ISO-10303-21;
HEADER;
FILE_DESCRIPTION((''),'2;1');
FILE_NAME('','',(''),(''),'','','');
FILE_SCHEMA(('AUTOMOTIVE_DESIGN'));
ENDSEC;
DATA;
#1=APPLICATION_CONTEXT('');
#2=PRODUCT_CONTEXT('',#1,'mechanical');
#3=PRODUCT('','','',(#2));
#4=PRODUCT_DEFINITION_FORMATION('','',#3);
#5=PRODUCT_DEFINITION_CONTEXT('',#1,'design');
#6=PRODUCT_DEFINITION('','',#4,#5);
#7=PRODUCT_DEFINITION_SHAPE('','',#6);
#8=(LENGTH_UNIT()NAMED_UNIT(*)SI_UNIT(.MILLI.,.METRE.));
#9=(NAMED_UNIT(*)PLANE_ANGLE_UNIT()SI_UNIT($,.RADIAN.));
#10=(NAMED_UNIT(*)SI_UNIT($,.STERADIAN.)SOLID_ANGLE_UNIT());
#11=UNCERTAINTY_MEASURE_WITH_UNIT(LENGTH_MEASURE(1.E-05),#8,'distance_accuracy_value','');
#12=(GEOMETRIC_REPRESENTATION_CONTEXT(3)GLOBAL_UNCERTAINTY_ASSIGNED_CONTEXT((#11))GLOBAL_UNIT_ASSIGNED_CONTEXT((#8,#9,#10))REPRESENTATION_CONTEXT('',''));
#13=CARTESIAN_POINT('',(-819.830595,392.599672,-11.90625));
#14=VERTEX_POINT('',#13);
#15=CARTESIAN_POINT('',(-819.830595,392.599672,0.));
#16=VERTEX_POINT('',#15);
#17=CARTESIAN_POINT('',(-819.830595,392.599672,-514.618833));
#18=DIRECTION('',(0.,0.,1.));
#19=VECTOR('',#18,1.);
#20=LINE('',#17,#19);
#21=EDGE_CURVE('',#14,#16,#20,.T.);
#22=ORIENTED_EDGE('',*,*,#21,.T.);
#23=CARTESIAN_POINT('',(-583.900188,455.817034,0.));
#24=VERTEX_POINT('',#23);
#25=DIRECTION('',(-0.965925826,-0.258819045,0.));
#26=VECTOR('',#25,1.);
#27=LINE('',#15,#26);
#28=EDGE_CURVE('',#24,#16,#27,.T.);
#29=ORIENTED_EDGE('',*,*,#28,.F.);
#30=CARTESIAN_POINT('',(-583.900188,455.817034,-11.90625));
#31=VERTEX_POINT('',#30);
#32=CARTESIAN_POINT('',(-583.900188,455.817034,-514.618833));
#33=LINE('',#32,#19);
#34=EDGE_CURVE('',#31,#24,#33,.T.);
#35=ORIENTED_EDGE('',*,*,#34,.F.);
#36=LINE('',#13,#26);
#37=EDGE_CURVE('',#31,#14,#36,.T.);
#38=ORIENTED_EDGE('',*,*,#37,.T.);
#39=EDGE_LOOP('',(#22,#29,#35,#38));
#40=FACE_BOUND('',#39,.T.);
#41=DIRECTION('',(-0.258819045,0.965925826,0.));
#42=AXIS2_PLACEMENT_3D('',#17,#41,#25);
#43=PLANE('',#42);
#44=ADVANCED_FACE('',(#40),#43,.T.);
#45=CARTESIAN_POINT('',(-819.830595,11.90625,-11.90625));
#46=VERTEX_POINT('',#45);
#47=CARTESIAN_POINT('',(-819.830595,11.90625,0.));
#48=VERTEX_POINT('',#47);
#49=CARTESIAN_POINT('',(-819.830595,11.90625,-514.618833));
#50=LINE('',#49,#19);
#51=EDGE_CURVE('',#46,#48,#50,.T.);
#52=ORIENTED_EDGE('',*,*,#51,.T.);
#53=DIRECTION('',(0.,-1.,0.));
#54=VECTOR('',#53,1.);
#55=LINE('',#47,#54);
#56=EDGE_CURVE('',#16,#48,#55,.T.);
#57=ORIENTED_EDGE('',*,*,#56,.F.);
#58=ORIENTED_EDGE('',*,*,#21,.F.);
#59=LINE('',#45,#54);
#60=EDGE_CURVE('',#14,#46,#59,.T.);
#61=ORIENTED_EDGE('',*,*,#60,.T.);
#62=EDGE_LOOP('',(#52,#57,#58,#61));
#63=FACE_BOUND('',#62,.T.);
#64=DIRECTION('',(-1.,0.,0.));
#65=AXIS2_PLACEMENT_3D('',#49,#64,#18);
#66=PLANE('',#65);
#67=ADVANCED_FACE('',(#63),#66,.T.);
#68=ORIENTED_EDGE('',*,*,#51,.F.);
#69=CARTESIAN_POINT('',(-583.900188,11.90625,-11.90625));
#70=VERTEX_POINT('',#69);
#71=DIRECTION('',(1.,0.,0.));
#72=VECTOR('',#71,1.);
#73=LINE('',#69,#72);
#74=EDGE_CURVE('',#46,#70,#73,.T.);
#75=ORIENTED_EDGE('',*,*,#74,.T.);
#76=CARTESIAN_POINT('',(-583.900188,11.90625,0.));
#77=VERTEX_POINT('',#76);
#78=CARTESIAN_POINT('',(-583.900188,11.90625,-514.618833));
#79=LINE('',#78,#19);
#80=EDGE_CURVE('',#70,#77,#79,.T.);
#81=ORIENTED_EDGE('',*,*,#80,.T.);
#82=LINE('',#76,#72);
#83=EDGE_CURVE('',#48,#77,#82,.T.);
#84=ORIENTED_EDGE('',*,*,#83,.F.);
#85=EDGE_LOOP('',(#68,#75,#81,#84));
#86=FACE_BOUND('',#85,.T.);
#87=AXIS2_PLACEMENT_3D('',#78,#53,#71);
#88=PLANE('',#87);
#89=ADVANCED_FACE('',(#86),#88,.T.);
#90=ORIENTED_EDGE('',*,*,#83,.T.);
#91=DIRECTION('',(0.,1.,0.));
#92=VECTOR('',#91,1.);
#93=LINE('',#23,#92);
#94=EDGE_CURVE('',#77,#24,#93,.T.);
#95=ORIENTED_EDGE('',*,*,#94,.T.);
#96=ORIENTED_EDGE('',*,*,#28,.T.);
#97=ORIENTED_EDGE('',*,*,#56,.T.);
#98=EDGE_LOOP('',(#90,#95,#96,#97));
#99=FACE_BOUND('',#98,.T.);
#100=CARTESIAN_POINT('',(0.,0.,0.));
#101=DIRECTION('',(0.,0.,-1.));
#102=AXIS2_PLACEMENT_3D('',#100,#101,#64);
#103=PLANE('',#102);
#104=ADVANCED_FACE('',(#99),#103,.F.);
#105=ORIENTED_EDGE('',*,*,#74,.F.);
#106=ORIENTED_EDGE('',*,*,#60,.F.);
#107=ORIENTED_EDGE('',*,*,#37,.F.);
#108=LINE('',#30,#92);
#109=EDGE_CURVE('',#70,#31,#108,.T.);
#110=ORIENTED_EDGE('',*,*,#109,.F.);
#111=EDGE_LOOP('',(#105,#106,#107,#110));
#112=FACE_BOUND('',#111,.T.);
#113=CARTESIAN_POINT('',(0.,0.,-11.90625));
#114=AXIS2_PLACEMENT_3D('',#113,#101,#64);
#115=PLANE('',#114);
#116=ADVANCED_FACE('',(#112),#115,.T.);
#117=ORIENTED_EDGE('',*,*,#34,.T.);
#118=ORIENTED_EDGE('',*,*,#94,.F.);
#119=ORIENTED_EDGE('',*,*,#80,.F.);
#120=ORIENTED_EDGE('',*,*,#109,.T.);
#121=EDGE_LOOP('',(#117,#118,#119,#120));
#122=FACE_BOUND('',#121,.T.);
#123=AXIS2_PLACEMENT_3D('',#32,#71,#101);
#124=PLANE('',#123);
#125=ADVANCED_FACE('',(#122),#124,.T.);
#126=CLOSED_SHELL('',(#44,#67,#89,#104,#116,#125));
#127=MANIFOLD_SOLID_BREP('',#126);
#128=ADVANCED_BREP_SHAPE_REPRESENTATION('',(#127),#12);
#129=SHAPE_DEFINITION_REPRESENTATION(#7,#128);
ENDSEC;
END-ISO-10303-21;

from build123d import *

# Parameters (mm, degrees)
BOSS_EXTRUDE1_DEPTH = 11.90625


with BuildPart() as part:
    # Sketch1 → Boss-Extrude1 (new body)
    with BuildSketch(Plane.XY):
        Polygon((-819.830594651, 11.90625), (-819.830594651, 392.599672186), (-583.900187925, 455.817034138), (-583.900187925, 11.90625), align=None)
    extrude(amount=-BOSS_EXTRUDE1_DEPTH)


solid = part.part
